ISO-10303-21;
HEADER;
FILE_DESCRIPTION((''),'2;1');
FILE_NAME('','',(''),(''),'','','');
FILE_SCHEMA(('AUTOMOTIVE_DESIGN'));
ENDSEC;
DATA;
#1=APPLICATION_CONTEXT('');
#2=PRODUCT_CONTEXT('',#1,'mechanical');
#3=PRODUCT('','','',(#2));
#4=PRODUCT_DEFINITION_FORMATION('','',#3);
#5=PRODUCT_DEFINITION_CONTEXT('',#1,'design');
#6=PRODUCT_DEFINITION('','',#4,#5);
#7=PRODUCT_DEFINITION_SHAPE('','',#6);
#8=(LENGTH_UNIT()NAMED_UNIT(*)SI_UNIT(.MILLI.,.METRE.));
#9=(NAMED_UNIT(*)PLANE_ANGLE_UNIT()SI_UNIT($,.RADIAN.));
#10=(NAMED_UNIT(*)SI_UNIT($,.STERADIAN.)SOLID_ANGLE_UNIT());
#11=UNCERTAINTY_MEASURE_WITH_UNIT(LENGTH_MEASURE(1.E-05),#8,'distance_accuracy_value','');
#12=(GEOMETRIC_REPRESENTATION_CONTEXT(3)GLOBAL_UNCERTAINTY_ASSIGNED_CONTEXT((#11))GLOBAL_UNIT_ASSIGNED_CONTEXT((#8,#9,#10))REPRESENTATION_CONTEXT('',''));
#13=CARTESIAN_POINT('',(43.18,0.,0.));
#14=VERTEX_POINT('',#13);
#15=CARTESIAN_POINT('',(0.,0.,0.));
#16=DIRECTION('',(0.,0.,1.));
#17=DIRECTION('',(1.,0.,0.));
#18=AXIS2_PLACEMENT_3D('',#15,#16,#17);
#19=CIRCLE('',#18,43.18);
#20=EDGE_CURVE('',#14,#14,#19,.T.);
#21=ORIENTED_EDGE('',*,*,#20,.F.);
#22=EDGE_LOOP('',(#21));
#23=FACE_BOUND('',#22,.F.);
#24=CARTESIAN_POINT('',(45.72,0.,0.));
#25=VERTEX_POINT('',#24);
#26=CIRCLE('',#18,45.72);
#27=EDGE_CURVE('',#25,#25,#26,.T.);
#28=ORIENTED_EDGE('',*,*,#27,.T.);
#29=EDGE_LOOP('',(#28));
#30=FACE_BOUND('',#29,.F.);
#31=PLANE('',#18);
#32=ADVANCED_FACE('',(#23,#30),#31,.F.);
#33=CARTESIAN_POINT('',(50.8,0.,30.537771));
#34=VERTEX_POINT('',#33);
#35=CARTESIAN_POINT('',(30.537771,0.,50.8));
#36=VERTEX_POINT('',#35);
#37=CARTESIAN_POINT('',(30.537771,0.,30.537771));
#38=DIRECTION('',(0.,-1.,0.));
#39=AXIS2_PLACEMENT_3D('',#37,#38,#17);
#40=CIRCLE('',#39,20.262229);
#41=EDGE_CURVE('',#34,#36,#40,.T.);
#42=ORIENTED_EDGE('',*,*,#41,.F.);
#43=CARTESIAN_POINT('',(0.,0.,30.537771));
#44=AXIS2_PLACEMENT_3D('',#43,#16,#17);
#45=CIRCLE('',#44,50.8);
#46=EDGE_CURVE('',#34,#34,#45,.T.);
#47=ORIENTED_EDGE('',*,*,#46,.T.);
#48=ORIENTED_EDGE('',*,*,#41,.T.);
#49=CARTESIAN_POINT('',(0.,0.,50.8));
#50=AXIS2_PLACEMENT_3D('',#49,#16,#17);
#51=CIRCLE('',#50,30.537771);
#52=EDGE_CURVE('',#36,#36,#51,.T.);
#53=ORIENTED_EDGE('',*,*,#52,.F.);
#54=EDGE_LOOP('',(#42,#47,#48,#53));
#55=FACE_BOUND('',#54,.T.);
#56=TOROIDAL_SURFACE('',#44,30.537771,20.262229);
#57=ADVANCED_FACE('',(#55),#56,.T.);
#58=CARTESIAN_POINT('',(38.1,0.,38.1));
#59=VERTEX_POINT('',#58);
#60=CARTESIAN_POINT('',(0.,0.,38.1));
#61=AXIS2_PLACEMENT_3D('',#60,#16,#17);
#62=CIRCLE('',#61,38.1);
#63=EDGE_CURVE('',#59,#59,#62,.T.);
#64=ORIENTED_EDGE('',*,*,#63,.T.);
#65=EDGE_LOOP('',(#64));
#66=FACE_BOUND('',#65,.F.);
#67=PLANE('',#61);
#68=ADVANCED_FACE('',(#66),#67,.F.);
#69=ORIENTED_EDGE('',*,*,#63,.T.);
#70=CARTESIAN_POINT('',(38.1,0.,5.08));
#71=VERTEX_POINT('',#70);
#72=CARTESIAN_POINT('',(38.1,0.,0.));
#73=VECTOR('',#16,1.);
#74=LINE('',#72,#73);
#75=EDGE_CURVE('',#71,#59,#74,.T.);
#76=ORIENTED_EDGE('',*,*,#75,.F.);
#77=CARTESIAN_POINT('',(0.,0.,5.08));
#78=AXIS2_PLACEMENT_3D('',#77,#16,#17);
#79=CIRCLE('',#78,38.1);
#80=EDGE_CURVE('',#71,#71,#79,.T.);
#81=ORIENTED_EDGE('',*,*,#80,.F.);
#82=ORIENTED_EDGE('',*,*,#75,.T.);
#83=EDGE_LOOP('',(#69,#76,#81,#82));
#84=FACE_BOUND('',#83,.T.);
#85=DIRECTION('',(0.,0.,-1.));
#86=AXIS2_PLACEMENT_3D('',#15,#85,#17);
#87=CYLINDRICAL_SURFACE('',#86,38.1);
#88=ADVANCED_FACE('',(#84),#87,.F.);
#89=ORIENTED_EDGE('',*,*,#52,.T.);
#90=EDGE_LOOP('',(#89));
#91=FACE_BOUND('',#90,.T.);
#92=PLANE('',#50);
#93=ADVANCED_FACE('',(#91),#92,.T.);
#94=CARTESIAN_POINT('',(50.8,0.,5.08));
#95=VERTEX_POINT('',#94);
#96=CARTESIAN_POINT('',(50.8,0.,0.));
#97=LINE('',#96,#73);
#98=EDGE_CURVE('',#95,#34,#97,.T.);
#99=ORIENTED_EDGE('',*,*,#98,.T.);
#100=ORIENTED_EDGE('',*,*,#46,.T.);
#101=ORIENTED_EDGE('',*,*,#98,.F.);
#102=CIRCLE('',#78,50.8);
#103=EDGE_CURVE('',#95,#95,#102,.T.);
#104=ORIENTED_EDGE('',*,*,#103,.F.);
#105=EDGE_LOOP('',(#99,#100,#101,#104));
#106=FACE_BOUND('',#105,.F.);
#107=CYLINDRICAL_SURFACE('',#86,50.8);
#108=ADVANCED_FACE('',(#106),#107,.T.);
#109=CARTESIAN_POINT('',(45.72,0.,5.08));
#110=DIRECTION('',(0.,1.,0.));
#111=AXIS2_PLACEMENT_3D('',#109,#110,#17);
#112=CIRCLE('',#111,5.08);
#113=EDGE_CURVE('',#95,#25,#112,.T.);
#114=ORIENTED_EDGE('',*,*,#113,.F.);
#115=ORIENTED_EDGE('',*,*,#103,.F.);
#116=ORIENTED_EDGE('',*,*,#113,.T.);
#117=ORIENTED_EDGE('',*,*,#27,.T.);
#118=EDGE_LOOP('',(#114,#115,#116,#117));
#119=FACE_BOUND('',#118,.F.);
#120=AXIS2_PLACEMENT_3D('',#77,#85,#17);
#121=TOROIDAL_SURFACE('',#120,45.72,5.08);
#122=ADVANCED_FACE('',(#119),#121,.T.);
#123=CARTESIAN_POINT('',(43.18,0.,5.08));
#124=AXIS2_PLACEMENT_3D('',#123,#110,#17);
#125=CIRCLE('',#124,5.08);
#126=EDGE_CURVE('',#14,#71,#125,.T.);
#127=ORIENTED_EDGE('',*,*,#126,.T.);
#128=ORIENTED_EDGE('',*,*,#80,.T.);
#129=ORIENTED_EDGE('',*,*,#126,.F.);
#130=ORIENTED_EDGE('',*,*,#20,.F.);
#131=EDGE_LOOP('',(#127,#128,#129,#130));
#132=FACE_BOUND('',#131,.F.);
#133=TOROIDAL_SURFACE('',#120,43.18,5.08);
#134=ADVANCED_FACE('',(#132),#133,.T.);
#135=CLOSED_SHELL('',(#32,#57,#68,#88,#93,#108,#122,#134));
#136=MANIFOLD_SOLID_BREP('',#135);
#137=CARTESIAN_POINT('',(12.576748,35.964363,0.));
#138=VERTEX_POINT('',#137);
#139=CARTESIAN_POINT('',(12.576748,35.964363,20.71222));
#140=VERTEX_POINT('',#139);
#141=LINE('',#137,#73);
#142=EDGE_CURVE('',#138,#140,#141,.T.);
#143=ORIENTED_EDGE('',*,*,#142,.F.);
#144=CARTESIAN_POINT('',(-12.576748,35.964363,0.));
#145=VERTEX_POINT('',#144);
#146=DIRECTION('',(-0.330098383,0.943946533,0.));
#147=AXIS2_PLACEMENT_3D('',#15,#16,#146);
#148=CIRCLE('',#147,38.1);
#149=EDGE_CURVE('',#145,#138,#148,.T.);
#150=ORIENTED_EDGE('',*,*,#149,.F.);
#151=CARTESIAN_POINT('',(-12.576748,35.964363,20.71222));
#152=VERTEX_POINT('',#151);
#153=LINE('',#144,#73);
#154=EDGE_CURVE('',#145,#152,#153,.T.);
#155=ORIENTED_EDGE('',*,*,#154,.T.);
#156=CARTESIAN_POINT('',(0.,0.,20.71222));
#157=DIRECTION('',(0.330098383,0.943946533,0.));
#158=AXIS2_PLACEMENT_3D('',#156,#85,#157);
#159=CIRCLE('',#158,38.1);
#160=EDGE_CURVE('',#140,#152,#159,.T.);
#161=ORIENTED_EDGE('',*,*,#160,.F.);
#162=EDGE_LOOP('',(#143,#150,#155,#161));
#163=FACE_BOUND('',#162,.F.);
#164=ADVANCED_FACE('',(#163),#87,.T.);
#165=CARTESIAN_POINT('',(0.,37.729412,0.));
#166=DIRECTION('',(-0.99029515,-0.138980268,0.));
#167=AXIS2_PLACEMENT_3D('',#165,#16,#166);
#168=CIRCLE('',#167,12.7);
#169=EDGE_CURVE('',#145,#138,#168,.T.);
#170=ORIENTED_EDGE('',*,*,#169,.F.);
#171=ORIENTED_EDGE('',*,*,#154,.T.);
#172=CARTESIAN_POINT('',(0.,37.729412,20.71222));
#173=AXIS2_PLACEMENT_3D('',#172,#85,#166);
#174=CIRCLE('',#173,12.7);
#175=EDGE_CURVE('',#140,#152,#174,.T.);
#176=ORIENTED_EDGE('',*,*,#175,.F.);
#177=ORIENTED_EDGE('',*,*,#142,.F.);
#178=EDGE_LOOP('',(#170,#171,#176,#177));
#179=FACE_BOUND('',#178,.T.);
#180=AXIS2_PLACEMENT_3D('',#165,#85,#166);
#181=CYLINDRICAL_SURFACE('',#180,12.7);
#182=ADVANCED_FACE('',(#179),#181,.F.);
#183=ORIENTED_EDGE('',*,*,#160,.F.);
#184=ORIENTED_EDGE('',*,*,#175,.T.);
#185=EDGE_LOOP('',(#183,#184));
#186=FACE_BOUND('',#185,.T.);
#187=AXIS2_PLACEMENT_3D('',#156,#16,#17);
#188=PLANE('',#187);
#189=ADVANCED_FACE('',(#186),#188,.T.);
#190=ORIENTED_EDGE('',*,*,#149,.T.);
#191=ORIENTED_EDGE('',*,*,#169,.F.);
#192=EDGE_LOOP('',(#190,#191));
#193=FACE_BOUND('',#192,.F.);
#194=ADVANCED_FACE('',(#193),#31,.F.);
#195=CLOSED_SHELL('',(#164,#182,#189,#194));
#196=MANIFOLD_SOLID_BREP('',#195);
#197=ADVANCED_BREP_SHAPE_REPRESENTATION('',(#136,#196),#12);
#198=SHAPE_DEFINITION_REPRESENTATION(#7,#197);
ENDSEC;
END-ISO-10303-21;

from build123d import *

# Parameters (mm, degrees)
F0_R     = 50.8
F0_R_2   = 38.1
F1_DEPTH = 50.8
F2_DEPTH = 38.1
F3_R     = 5.08
F4_R     = 20.2622288655
F5_DEPTH = 20.71222
F7_DEPTH = 34.26479


with BuildPart() as f1:
    # F0 (on Top) → F1 (new body)
    with BuildSketch(Plane.XY):
        Circle(F0_R)
        Circle(F0_R_2, mode=Mode.SUBTRACT)
        Circle(F0_R_2)
    extrude(amount=F1_DEPTH)

    # F0 (on Top) → F2 (cut)
    with BuildSketch(Plane.XY):
        Circle(F0_R_2)
    extrude(amount=F2_DEPTH, mode=Mode.SUBTRACT)

    # F3
    f3_edges = [f1.edges().sort_by_distance(p)[0] for p in [
        (-50.8, 0, 0),
        (-38.1, 0, 0),
    ]]
    fillet(f3_edges, radius=F3_R)

    # F4
    f4_edges = [f1.edges().sort_by_distance(p)[0] for p in [
        (-50.8, 0, 50.8),
    ]]
    fillet(f4_edges, radius=F4_R)


with BuildPart() as f5:
    # F0 (on Top) → F5 (new body)
    with BuildSketch(Plane.XY):
        Circle(F0_R_2)
    extrude(amount=F5_DEPTH)

    # F6 (on face) → F7 (cut)
    with BuildSketch(Plane.XY):
        with BuildLine():
            ThreePointArc((12.5767484106, 35.9643629085), (0, 38.1), (-12.5767484106, 35.9643629085))
            ThreePointArc((-12.5767484106, 35.9643629085), (0, 25.0294123173), (12.5767484106, 35.9643629085))
        make_face()
    extrude(amount=F7_DEPTH, mode=Mode.SUBTRACT)


solid = Compound([f1.part, f5.part])
